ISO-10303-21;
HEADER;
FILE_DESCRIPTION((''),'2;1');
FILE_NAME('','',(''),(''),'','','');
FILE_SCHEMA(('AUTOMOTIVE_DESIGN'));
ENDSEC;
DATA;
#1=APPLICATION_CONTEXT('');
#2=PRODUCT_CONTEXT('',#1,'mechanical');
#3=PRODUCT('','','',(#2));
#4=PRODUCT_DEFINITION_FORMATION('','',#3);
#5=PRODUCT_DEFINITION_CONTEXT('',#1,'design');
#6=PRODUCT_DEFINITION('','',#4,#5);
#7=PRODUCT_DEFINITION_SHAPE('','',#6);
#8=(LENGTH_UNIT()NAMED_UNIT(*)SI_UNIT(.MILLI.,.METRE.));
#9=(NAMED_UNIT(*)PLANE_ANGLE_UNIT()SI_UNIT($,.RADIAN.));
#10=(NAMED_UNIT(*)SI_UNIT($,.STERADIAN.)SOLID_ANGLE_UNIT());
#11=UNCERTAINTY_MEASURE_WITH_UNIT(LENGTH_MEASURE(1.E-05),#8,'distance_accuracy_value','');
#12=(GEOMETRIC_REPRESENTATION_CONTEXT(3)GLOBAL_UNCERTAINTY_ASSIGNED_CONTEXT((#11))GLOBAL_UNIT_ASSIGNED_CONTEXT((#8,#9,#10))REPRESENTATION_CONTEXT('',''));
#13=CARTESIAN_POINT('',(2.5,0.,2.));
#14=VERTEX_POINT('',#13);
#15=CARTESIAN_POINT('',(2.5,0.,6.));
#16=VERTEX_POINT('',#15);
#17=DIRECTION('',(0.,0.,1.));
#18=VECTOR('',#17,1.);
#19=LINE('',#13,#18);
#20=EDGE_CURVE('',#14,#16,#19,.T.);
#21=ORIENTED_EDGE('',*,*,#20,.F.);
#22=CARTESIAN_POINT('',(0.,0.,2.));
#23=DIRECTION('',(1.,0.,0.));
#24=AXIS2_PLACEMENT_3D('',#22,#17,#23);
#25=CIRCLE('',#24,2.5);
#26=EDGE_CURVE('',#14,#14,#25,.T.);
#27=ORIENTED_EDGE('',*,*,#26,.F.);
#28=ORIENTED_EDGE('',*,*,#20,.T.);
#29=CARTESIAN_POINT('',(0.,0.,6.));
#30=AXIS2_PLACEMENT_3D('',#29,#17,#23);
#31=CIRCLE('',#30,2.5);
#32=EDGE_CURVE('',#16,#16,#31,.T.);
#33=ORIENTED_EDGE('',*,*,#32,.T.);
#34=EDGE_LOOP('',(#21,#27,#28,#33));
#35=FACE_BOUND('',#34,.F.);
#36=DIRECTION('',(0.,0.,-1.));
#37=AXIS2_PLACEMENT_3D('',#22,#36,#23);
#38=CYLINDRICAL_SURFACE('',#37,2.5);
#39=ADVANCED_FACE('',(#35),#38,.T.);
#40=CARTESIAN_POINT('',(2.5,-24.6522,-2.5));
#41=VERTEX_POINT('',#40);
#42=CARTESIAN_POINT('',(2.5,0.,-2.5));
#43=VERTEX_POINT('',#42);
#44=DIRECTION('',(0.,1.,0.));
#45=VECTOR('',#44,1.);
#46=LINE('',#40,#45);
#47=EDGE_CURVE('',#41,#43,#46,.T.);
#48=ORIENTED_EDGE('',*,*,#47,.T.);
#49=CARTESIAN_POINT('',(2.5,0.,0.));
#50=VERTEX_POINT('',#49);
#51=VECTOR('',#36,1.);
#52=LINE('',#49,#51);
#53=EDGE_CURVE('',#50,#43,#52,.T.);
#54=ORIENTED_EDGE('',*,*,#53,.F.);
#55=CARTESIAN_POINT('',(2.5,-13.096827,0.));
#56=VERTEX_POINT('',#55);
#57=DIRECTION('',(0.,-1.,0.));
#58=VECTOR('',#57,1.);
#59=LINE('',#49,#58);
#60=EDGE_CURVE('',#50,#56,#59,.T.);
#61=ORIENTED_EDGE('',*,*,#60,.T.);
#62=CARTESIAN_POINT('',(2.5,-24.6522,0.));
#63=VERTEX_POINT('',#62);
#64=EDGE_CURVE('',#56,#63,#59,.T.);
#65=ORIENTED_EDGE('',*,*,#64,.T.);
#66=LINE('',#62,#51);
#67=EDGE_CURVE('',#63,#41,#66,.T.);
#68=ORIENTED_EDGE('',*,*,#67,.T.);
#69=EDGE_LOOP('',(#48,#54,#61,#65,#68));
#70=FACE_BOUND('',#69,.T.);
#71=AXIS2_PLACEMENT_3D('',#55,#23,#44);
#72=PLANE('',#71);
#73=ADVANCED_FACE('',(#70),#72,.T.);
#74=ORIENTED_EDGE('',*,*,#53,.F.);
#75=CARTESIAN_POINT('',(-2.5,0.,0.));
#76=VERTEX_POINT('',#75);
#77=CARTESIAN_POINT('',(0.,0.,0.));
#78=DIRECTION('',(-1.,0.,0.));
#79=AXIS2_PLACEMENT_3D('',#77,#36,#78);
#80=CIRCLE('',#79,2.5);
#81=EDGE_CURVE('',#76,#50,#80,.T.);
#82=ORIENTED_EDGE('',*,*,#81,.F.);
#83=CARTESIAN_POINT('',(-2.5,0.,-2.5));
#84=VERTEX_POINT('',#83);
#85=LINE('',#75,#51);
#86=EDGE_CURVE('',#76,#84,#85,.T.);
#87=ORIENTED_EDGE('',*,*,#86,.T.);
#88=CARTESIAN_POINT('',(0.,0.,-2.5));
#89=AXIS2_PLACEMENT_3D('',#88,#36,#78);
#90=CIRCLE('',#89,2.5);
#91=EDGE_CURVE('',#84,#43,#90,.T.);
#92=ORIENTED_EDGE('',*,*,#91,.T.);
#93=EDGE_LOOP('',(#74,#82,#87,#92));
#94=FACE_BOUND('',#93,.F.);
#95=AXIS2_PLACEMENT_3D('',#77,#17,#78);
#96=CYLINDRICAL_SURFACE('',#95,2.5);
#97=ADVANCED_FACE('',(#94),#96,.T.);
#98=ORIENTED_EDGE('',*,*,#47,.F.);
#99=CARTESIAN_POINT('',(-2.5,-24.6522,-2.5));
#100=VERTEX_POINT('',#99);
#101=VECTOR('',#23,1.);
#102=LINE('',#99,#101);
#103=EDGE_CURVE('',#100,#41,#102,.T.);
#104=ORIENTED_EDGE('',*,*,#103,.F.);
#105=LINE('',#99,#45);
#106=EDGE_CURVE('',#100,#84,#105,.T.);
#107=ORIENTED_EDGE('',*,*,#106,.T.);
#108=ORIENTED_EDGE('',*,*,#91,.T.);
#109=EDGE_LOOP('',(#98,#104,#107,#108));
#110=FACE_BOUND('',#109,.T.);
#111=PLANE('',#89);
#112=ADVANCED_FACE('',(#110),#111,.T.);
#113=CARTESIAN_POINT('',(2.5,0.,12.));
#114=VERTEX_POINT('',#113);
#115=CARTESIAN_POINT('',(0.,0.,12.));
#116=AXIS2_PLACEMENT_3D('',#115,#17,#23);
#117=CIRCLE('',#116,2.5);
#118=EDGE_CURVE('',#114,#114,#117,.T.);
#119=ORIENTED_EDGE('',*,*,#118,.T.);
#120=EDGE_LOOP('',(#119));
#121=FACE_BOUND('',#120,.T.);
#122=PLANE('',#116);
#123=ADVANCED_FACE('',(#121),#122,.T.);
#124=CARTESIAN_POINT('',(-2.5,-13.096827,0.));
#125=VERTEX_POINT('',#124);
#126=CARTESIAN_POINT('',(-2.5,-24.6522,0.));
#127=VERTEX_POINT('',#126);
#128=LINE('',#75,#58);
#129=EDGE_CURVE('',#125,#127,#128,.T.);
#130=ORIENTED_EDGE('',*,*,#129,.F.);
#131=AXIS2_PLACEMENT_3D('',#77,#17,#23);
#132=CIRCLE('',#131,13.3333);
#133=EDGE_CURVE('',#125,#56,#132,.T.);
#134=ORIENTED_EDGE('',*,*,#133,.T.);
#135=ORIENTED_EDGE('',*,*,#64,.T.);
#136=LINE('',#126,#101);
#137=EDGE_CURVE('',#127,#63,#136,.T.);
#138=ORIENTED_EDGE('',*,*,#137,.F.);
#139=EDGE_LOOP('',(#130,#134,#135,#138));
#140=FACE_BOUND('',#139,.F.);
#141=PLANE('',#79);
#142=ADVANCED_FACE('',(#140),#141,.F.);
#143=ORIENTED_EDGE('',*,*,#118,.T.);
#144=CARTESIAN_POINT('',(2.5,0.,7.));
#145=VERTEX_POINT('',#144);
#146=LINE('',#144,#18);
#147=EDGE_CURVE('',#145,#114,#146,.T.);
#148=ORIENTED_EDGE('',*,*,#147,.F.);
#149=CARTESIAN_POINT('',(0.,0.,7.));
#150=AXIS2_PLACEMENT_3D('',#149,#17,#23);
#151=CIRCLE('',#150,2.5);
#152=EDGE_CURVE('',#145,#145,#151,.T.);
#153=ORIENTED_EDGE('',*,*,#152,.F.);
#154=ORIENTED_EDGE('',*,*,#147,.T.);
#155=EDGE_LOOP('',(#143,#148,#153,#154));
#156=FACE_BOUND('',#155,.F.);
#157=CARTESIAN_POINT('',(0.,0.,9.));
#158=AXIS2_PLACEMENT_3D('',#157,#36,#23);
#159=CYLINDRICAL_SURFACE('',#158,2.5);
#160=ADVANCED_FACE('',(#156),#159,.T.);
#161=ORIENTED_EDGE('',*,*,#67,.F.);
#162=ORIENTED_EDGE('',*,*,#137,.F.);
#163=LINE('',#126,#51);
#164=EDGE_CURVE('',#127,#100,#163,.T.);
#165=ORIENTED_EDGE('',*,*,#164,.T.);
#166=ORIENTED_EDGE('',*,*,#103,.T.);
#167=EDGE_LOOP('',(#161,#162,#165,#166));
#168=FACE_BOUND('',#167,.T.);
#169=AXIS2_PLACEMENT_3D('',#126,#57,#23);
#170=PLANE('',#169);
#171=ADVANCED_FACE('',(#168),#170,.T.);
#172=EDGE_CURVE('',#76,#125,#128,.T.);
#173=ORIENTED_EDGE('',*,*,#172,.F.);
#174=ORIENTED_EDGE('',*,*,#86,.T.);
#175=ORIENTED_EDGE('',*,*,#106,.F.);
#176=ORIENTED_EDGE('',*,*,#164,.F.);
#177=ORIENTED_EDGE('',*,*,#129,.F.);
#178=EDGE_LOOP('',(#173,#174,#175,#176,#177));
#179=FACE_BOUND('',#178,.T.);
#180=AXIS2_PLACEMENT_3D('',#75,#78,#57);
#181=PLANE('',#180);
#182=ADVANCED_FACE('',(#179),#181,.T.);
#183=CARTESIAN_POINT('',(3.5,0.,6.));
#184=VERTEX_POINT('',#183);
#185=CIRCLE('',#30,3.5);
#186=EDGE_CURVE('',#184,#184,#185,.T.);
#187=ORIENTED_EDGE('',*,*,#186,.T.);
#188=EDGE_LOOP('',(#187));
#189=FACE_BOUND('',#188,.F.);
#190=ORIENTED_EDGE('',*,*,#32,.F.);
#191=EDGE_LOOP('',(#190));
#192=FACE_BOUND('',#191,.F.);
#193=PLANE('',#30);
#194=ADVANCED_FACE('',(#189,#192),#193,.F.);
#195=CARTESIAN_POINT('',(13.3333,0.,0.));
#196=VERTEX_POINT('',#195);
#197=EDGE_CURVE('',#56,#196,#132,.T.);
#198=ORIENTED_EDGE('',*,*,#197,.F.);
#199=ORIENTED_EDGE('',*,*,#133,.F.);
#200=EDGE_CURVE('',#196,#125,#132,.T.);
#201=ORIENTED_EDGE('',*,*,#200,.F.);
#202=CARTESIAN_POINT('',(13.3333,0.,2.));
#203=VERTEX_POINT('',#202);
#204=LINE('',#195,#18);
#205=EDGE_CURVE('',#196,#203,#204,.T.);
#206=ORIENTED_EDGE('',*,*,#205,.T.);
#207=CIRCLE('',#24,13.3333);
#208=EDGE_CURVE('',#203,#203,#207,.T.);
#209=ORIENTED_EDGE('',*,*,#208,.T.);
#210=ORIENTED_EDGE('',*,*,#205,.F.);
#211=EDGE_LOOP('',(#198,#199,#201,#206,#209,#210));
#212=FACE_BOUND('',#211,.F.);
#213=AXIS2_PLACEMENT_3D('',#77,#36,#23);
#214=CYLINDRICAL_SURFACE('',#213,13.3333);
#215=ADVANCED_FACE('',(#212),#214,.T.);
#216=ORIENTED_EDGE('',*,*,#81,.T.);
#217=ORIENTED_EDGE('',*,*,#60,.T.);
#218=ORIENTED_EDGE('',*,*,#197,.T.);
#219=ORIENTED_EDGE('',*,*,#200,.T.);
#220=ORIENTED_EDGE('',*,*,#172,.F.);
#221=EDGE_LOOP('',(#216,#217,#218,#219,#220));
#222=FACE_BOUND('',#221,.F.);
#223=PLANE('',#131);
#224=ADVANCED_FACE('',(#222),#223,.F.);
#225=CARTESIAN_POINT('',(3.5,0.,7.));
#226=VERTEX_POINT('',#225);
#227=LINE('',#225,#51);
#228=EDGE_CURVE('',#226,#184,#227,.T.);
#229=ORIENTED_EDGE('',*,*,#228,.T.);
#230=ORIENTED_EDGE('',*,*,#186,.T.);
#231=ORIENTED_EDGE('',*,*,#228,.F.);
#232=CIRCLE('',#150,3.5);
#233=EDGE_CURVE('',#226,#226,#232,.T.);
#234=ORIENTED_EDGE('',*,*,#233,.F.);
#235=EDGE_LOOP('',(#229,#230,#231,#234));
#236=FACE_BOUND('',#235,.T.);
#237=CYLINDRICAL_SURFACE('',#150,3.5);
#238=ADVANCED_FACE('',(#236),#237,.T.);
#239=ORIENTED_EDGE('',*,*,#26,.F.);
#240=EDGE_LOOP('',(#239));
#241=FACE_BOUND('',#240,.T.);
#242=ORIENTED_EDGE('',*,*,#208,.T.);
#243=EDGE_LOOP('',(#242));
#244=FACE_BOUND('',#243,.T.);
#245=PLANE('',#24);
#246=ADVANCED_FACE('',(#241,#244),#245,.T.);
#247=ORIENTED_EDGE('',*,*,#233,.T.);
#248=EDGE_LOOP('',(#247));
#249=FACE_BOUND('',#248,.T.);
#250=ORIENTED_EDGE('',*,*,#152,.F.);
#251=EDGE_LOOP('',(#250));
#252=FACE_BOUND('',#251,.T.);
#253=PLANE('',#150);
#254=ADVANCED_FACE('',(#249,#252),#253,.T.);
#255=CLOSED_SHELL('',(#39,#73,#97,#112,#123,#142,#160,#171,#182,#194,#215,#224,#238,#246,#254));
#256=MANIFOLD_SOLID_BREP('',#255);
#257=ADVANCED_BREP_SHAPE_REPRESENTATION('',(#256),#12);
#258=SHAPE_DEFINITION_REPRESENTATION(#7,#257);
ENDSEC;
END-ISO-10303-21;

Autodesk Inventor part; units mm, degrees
ref_plane "YZ Plane" through (0, 0, 0) normal (1, 0, 0) x (0, 1, 0)
ref_plane "XZ Plane" through (0, 0, 0) normal (0, 1, 0) x (-1, 0, 0)
sketch "Sketch1" plane through (0, 0, 0) normal (0, 0, 1) x (1, 0, 0)
  circle A0 centre (0, 0) radius 13.3333
  dimension "d0" = 26.6667
extrude "Extrusion1" add sketch "Sketch1" along normal blind 2
sketch "Sketch2" plane through (0, 0, 2) normal (0, 0, 1) x (1, 0, 0)
  circle A0 centre (0, 0) radius 2.5
  dimension "d3" = 5
extrude "Extrusion2" add sketch "Sketch2" along normal blind 7
ref_plane "Work Plane1" through (0, 0, 7) normal (0, 0, 1) x (1, 0, 0)
sketch "Sketch5" plane through (0, 0, 7) normal (0, 0, 1) x (1, 0, 0)
  circle A0 centre (0, 0) radius 2.5 projected
  circle A1 centre (0, 0) radius 3.5
  dimension "d18" = 1
extrude "Extrusion7" add sketch "Sketch5" against normal blind 1
sketch "Sketch6" plane through (0, 0, 0) normal (0, 0, -1) x (-1, 0, 0)
  circle A0 centre (0, 0) radius 13.3333 projected
  circle A1 centre (0, 0) radius 2.5
  line L0 (-2.5, 0) -> (2.5, 0)
  line L1 (2.5, 0) -> (2.5, -24.6522)
  line L2 (2.5, -24.6522) -> (-2.5, -24.6522)
  line L3 (-2.5, -24.6522) -> (-2.5, 0)
  circle A2 centre (0, 0) radius 2.5 projected
  point P0 (2.5, 0)
  dimension "d23" = 5
  dimension "d24" = 5
  dimension "d25" = 24.6522
extrude "Extrusion8" add sketch "Sketch6" along normal blind 2.5 contours L3 A1 L1 A0 | A0 L1 L2 L3 | L0 A1 | A1 L0 picked at (-0.1004, -9.6986)
sketch "Sketch8" plane through (0, 0, 9) normal (0, 0, 1) x (1, 0, 0)
  circle A0 centre (0, 0) radius 2.5 projected
extrude "Extrusion10" add sketch "Sketch8" along normal blind 3
equation "\"d0\" = OG_gearDiameter"
equation "\"d1\" = OG_gearThickness"
equation "\"d3\" = OG_shaftDiameter"
equation "\"d4\" = OG_shaftLength"
equation "\"d18\" = OG_skirtOffset"
equation "\"d19\" = OG_skirtThickness"
equation "\"Wheel_Related_W_\" = 0"
equation "\"W_innerDepth\" = 4"
equation "\"W_wallThickness\" = 2"
equation "\"W_holesClearance\" = 0.3"
equation "\"W_outerGearHoleDiameter\" = 5.3"
equation "\"W_innerGearHoleDiameter\" = 10.1"
equation "\"TempSpotReserved7\" = 0"
equation "\"TempSpotReserved8\" = 0"
equation "\"TempSpotReserved9\" = 0"
equation "\"TempSpotReserved10\" = 0"
equation "\"TempSpotReserved11\" = 0"
equation "\"TempSpotReserved12\" = 0"
equation "\"TempSpotReserved13\" = 0"
equation "\"TempSpotReserved14\" = 0"
equation "\"TempSpotReserved15\" = 0"
equation "\"TempSpotReserved16\" = 0"
equation "\"TempSpotReserved17\" = 0"
equation "\"TempSpotReserved18\" = 0"
equation "\"TempSpotReserved19\" = 0"
equation "\"TempSpotReserved20\" = 0"
equation "\"Inner_Gear_Related_IG_\" = 0"
equation "\"IG_shaftDiameter\" = 7.5"
equation "\"IG_shaftLength\" = 15"
equation "\"IG_gearThickness\" = 2"
equation "\"TempSpotReserved25\" = 0"
equation "\"TempSpotReserved26\" = 0"
equation "\"TempSpotReserved27\" = 0"
equation "\"TempSpotReserved28\" = 0"
equation "\"TempSpotReserved29\" = 0"
equation "\"TempSpotReserved30\" = 0"
equation "\"TempSpotReserved31\" = 0"
equation "\"TempSpotReserved32\" = 0"
equation "\"TempSpotReserved33\" = 0"
equation "\"TempSpotReserved34\" = 0"
equation "\"TempSpotReserved35\" = 0"
equation "\"TempSpotReserved36\" = 0"
equation "\"TempSpotReserved37\" = 0"
equation "\"TempSpotReserved38\" = 0"
equation "\"TempSpotReserved39\" = 0"
equation "\"TempSpotReserved40\" = 0"
equation "\"Outer_Gear_Related_OG_\" = 0"
equation "\"OG_distanceFromCenter\" = 23.33333"
equation "\"OG_shaftDiameter\" = 5"
equation "\"OG_gearDiameter\" = 26.66667"
equation "\"OG_shaftLength\" = 7"
equation "\"OG_gearThickness\" = 2"
equation "\"TempSpotReserved47\" = 0"
equation "\"TempSpotReserved48\" = 0"
equation "\"TempSpotReserved49\" = 0"
equation "\"TempSpotReserved50\" = 0"
equation "\"TempSpotReserved51\" = 0"
equation "\"TempSpotReserved52\" = 0"
equation "\"TempSpotReserved53\" = 0"
equation "\"TempSpotReserved54\" = 0"
equation "\"TempSpotReserved55\" = 0"
equation "\"TempSpotReserved56\" = 0"
equation "\"TempSpotReserved57\" = 0"
equation "\"TempSpotReserved58\" = 0"
equation "\"TempSpotReserved59\" = 0"
equation "\"TempSpotReserved60\" = 0"
equation "\"Leg_Extensions_Related_LE_\" = 0"
equation "\"LE_baseDiameter\" = 5"
equation "\"LE_maxLength\" = 24.6522"
equation "\"LE_thickness\" = 2.5"
equation "\"IG_ratioToOuterGear\" = 0.75"
equation "\"B_bearingThickness\" = 1"
equation "\"TempSpotReserved43\" = 0"
equation "\"TempSpotReserved45\" = 0"
equation "\"Thisisatest\" = 25.4"
equation "\"TempSpotReserved46\" = 0"
equation "\"TempSpotReserved44\" = 0"
equation "\"LE_offsetAboveOuterGear\" = 0"
equation "\"Bearing_Related_B_\" = 0"
equation "\"TempSpotReserved42\" = 0"
equation "\"d17\" = -W_wallThickness"
equation "\"OG_skirtOffset\" = 1"
equation "\"OG_skirtThickness\" = 1"
equation "\"IG_skirtThickness\" = 2"
equation "\"IG_extentionLength\" = 18.33333"
equation "\"IG_extentionThickness\" = 3"
equation "\"IG_slitWidth\" = 4"
equation "\"IG_slitlength\" = 8"
equation "\"IG_slitDistanceFromCenterHole\" = 8"
equation "\"IG_slitClearance\" = 0.2"
equation "\"Reserved_10\" = 0"
equation "\"Reserved_9\" = 0"
equation "\"Reserved_11\" = 0"
equation "\"Reserved_12\" = 0"
equation "\"Reserved_8\" = 0"
equation "\"Reserved_7\" = 0"
equation "\"Reserved_26\" = 0"
equation "\"Reserved_20\" = 0"
equation "\"Reserved_22\" = 0"
equation "\"Reserved_23\" = 0"
equation "\"Reserved_25\" = 0"
equation "\"Reserved_24\" = 0"
equation "\"Reserved_21\" = 0"
equation "\"Reserved_19\" = 0"
equation "\"Reserved_27\" = 0"
equation "\"Reserved_14\" = 0"
equation "\"Reserved_15\" = 0"
equation "\"Reserved_16\" = 0"
equation "\"Reserved_13\" = 0"
equation "\"Reserved_17\" = 0"
equation "\"Reserved_18\" = 0"
equation "\"Bearing_Related_BR_\" = 0"
equation "\"BR_bearingThickness\" = 1"
equation "\"Block_Related_BL_\" = 0"
equation "\"BL_width\" = 3.8"
equation "\"BL_length\" = 7.8"
equation "\"W_filletRadius\" = 0.25"
equation "\"W_extrutsionTaperAngle\" = 2deg"
equation "\"OG_protrudeDistance\" = 3"
properties part number "outerGear"
